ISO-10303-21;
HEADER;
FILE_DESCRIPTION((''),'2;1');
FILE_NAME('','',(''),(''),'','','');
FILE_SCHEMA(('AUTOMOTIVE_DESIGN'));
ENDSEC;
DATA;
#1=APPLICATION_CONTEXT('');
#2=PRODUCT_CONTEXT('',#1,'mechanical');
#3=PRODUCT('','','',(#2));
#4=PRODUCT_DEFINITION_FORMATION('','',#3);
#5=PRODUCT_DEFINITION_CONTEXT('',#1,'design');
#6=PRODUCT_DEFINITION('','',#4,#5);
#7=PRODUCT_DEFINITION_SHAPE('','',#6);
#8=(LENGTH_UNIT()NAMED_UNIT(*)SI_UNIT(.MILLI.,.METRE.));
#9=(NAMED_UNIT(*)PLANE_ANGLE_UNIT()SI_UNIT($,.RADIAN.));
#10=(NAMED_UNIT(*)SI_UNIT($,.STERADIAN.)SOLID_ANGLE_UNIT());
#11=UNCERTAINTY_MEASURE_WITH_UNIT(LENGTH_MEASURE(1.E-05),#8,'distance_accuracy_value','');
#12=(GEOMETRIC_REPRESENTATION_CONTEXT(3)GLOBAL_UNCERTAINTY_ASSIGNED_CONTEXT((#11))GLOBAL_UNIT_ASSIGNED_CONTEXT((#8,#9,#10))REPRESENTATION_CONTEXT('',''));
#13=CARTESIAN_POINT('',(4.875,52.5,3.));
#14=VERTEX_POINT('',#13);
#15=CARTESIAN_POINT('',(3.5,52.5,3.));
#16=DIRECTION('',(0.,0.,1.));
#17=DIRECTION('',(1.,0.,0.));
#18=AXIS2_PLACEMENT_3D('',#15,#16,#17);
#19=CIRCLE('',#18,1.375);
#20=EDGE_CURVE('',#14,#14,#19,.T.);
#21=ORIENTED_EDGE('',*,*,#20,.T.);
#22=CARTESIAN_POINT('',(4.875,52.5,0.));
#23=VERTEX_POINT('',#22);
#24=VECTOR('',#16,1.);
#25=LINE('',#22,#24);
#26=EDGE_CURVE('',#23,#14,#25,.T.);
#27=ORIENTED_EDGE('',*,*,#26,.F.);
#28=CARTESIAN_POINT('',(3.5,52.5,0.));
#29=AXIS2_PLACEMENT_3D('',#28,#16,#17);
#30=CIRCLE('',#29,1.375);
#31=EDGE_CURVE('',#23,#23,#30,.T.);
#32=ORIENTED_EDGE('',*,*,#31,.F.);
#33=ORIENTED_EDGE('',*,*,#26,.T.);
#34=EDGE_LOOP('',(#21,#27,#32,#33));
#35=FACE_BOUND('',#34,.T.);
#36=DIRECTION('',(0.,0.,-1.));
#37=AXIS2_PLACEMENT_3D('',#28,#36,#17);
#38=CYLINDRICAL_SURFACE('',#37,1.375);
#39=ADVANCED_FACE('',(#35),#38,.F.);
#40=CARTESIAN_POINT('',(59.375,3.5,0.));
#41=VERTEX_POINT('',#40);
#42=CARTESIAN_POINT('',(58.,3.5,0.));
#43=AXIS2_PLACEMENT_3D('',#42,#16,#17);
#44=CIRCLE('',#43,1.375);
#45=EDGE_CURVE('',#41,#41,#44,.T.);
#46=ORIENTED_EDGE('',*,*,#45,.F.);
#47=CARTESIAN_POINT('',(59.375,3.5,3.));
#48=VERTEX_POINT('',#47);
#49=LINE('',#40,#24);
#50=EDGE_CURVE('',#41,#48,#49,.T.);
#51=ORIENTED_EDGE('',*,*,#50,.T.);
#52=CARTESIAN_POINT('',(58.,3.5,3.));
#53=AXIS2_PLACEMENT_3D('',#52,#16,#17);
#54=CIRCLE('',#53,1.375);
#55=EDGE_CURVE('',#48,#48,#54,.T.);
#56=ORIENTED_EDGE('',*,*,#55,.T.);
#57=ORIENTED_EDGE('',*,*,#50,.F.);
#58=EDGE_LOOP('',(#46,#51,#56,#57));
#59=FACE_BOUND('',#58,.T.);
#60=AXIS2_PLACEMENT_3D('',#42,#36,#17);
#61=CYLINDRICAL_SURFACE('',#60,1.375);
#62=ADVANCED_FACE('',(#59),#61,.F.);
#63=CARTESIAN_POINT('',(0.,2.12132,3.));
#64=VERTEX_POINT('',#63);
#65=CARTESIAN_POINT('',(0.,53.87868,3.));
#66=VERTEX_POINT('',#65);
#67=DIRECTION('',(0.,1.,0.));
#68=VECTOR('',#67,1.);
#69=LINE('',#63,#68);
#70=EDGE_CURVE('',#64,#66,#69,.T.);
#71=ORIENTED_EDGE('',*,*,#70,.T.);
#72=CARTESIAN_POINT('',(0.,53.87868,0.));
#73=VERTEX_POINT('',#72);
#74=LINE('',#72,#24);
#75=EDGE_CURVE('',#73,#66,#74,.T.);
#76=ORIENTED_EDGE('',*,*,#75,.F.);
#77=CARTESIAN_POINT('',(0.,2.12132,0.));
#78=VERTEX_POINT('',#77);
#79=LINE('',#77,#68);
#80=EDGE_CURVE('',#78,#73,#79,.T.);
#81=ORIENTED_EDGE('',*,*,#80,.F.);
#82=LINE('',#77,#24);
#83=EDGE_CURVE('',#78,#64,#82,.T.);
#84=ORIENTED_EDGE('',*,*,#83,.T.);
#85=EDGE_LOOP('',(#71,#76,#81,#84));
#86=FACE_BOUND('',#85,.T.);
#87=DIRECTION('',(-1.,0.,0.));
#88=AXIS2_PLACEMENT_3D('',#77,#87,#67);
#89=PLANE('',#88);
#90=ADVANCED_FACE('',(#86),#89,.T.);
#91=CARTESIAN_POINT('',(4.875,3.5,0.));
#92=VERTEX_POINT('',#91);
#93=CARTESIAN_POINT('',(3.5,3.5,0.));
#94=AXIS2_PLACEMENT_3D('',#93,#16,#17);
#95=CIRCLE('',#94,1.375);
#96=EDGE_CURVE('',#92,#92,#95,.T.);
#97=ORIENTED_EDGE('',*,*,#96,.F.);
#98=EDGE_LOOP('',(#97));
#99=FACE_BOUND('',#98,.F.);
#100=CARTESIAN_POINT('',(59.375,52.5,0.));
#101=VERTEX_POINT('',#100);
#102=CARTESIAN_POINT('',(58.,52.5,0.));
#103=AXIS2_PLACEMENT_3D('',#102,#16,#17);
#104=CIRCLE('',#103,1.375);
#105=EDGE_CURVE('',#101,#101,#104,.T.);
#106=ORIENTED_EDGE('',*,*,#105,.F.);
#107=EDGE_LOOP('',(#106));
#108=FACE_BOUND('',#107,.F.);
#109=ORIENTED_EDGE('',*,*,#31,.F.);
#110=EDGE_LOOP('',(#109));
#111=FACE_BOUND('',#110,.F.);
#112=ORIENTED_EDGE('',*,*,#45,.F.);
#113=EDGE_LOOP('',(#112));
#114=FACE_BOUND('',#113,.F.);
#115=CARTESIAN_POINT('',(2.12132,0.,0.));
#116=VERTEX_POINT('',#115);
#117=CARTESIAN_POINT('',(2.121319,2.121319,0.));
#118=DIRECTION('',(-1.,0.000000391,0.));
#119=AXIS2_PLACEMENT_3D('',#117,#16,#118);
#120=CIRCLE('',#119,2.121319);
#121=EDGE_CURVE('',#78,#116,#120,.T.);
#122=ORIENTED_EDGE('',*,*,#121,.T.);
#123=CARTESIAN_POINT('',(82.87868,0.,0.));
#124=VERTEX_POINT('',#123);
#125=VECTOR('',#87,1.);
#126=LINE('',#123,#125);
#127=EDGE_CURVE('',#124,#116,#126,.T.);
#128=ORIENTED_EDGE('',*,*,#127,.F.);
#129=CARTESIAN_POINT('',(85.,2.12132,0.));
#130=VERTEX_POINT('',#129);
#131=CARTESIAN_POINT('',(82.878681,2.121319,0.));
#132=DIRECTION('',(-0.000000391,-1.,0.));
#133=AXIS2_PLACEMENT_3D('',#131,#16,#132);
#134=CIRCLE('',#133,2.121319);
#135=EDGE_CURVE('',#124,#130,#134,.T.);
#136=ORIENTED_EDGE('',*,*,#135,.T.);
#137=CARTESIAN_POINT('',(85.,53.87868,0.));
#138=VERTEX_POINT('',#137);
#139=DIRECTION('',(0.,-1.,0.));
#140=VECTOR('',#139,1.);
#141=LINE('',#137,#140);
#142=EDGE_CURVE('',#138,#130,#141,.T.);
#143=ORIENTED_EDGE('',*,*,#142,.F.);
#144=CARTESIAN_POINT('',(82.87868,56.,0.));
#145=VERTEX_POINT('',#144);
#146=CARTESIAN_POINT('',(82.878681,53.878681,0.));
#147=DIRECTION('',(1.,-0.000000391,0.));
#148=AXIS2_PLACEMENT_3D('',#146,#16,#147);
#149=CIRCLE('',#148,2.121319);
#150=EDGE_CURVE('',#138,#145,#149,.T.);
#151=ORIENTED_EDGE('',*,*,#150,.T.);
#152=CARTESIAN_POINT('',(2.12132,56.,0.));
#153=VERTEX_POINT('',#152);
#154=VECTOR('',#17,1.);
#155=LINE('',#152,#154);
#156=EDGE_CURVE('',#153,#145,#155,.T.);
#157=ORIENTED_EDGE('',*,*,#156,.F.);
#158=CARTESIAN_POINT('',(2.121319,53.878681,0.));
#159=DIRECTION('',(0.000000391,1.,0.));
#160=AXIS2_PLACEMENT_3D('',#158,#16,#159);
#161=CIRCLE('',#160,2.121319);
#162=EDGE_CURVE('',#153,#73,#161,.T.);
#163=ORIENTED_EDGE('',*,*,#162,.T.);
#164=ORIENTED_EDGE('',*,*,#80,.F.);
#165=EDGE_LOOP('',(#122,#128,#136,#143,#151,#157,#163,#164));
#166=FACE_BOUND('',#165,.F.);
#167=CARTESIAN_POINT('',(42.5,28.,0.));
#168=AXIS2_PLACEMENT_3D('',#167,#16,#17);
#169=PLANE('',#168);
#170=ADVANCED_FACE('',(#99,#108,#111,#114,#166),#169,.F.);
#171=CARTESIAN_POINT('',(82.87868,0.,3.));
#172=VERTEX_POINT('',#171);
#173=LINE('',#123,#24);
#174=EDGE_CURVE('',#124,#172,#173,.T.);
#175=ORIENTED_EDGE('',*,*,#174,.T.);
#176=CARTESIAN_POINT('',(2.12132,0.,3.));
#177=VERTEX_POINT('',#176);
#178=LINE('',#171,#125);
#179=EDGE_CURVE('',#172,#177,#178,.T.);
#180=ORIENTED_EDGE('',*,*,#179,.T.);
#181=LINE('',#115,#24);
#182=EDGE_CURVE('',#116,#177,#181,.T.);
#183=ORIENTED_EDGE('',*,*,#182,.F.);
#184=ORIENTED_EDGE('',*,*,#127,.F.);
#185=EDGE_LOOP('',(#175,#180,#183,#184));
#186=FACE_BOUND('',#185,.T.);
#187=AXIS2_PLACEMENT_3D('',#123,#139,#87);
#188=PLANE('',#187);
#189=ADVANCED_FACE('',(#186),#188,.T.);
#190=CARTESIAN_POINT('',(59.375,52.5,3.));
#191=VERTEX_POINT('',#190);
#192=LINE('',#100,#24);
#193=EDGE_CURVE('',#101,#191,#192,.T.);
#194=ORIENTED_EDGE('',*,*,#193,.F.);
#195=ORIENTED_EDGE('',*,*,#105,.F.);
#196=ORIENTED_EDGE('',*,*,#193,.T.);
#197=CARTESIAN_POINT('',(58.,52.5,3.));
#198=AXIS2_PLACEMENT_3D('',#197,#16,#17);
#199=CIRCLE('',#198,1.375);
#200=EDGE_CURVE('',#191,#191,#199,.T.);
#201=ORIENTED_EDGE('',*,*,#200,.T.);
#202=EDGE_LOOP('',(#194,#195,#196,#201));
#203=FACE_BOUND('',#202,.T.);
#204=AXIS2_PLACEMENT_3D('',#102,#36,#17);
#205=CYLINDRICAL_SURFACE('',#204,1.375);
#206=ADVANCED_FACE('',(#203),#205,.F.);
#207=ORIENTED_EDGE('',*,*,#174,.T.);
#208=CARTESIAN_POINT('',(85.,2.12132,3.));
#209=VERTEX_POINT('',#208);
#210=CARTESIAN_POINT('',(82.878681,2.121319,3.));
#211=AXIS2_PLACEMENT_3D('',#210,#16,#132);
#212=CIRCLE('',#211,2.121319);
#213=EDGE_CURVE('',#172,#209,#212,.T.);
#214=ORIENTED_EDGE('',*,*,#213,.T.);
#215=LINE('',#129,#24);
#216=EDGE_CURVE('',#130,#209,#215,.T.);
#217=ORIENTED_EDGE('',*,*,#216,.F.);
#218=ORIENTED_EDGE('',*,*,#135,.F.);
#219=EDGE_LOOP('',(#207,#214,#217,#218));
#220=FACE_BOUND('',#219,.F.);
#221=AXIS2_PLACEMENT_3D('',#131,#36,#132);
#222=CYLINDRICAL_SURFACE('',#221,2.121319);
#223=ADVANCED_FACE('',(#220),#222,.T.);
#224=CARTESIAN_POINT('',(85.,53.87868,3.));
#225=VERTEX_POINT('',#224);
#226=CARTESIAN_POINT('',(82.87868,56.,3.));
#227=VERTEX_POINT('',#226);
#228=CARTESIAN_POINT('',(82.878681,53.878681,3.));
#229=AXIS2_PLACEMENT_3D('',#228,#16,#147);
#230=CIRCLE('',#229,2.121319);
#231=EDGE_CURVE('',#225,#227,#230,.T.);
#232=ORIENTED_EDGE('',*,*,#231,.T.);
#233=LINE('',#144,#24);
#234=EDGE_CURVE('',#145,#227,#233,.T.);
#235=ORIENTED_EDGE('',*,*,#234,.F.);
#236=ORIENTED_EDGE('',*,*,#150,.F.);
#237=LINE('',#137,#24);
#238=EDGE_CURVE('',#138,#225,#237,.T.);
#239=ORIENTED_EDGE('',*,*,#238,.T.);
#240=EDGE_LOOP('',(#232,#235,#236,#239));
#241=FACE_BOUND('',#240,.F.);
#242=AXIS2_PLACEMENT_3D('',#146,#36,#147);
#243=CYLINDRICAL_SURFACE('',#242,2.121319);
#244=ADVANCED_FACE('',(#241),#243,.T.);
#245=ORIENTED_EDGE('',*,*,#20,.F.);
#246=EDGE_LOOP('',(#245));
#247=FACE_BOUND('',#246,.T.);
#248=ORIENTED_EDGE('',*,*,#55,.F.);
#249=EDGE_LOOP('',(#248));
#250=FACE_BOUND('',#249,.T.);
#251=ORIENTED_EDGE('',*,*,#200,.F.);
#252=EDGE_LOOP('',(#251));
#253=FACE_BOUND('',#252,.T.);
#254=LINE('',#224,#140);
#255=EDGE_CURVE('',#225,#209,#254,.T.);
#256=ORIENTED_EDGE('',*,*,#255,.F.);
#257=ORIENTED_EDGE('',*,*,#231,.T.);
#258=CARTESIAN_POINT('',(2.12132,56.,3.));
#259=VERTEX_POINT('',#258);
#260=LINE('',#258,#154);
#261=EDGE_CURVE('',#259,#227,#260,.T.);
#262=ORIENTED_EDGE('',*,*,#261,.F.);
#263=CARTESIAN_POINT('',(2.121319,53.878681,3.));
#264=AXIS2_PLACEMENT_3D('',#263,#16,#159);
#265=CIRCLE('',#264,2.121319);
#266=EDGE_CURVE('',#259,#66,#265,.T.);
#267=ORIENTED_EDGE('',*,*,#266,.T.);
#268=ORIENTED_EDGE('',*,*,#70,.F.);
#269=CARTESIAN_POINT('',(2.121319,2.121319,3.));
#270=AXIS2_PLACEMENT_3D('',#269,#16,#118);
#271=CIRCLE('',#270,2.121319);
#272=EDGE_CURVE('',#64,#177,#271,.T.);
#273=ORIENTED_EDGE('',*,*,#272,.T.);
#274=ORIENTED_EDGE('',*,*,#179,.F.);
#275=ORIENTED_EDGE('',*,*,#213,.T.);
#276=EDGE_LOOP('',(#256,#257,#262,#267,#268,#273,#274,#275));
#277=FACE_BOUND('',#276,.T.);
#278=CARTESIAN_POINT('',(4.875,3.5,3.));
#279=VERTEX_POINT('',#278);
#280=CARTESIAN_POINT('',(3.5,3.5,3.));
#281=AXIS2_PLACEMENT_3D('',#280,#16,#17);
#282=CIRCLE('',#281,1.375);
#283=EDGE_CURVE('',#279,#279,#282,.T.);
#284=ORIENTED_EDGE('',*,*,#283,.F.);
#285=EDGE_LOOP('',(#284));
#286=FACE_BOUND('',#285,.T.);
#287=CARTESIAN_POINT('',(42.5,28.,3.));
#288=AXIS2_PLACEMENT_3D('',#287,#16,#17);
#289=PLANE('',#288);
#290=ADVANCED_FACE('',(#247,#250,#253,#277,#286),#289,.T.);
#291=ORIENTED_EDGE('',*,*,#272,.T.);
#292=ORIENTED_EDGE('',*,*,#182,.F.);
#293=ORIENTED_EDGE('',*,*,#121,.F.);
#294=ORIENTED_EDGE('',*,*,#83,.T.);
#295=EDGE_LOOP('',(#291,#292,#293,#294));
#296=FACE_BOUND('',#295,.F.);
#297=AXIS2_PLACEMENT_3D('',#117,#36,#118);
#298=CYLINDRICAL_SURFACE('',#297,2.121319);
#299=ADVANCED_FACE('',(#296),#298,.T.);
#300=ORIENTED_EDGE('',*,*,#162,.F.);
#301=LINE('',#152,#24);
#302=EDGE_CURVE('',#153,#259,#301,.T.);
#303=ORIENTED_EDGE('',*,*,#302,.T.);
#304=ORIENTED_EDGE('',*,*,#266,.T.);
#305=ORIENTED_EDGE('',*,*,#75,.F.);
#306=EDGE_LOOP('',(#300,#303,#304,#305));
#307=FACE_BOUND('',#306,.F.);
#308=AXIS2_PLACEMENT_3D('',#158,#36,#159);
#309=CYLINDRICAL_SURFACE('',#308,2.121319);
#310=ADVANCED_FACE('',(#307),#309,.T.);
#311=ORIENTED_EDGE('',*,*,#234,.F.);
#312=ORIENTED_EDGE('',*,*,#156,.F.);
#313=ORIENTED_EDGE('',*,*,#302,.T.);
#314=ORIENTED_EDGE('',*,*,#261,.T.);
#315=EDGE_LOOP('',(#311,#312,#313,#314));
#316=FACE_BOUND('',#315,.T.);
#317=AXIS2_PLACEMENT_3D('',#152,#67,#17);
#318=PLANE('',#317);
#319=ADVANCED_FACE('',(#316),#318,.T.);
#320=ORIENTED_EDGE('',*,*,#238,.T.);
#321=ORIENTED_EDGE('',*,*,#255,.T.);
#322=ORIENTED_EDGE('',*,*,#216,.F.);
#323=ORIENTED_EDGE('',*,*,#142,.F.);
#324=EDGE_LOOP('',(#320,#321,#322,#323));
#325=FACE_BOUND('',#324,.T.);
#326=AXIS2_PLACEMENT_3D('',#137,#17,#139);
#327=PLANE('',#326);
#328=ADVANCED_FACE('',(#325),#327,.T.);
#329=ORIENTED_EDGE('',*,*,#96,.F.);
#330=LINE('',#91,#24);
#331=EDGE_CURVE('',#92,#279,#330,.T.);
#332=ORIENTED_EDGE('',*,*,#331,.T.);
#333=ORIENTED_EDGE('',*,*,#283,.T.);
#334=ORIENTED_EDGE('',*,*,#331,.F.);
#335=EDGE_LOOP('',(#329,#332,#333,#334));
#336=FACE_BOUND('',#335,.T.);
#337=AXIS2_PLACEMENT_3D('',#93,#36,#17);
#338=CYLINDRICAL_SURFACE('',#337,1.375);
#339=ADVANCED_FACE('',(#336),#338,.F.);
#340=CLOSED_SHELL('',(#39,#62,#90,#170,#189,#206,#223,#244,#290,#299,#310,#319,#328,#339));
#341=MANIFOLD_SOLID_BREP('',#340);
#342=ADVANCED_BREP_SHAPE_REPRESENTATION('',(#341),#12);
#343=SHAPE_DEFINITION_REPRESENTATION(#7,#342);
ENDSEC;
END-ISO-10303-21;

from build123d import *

# Parameters (mm, degrees)
SKETCH_R  = 1.375
PAD_DEPTH = 3


with BuildPart() as part:
    # Sketch → Pad (new body)
    with BuildSketch(Plane.XY):
        with BuildLine():
            ThreePointArc((0, 2.12132), (0.62132, 0.62132), (2.12132, 0))
            Line((82.87868, 0), (2.12132, 0))
            ThreePointArc((82.87868, 0), (84.37868, 0.62132), (85, 2.12132))
            Line((85, 53.87868), (85, 2.12132))
            ThreePointArc((85, 53.87868), (84.37868, 55.37868), (82.87868, 56))
            Line((2.12132, 56), (82.87868, 56))
            ThreePointArc((2.12132, 56), (0.62132, 55.37868), (0, 53.87868))
            Line((0, 2.12132), (0, 53.87868))
        make_face()
        with Locations((3.5, 3.5)):
            Circle(SKETCH_R, mode=Mode.SUBTRACT)
        with Locations((3.5, 52.5)):
            Circle(SKETCH_R, mode=Mode.SUBTRACT)
        with Locations((58, 52.5)):
            Circle(SKETCH_R, mode=Mode.SUBTRACT)
        with Locations((58, 3.5)):
            Circle(SKETCH_R, mode=Mode.SUBTRACT)
    extrude(amount=PAD_DEPTH)


solid = part.part
